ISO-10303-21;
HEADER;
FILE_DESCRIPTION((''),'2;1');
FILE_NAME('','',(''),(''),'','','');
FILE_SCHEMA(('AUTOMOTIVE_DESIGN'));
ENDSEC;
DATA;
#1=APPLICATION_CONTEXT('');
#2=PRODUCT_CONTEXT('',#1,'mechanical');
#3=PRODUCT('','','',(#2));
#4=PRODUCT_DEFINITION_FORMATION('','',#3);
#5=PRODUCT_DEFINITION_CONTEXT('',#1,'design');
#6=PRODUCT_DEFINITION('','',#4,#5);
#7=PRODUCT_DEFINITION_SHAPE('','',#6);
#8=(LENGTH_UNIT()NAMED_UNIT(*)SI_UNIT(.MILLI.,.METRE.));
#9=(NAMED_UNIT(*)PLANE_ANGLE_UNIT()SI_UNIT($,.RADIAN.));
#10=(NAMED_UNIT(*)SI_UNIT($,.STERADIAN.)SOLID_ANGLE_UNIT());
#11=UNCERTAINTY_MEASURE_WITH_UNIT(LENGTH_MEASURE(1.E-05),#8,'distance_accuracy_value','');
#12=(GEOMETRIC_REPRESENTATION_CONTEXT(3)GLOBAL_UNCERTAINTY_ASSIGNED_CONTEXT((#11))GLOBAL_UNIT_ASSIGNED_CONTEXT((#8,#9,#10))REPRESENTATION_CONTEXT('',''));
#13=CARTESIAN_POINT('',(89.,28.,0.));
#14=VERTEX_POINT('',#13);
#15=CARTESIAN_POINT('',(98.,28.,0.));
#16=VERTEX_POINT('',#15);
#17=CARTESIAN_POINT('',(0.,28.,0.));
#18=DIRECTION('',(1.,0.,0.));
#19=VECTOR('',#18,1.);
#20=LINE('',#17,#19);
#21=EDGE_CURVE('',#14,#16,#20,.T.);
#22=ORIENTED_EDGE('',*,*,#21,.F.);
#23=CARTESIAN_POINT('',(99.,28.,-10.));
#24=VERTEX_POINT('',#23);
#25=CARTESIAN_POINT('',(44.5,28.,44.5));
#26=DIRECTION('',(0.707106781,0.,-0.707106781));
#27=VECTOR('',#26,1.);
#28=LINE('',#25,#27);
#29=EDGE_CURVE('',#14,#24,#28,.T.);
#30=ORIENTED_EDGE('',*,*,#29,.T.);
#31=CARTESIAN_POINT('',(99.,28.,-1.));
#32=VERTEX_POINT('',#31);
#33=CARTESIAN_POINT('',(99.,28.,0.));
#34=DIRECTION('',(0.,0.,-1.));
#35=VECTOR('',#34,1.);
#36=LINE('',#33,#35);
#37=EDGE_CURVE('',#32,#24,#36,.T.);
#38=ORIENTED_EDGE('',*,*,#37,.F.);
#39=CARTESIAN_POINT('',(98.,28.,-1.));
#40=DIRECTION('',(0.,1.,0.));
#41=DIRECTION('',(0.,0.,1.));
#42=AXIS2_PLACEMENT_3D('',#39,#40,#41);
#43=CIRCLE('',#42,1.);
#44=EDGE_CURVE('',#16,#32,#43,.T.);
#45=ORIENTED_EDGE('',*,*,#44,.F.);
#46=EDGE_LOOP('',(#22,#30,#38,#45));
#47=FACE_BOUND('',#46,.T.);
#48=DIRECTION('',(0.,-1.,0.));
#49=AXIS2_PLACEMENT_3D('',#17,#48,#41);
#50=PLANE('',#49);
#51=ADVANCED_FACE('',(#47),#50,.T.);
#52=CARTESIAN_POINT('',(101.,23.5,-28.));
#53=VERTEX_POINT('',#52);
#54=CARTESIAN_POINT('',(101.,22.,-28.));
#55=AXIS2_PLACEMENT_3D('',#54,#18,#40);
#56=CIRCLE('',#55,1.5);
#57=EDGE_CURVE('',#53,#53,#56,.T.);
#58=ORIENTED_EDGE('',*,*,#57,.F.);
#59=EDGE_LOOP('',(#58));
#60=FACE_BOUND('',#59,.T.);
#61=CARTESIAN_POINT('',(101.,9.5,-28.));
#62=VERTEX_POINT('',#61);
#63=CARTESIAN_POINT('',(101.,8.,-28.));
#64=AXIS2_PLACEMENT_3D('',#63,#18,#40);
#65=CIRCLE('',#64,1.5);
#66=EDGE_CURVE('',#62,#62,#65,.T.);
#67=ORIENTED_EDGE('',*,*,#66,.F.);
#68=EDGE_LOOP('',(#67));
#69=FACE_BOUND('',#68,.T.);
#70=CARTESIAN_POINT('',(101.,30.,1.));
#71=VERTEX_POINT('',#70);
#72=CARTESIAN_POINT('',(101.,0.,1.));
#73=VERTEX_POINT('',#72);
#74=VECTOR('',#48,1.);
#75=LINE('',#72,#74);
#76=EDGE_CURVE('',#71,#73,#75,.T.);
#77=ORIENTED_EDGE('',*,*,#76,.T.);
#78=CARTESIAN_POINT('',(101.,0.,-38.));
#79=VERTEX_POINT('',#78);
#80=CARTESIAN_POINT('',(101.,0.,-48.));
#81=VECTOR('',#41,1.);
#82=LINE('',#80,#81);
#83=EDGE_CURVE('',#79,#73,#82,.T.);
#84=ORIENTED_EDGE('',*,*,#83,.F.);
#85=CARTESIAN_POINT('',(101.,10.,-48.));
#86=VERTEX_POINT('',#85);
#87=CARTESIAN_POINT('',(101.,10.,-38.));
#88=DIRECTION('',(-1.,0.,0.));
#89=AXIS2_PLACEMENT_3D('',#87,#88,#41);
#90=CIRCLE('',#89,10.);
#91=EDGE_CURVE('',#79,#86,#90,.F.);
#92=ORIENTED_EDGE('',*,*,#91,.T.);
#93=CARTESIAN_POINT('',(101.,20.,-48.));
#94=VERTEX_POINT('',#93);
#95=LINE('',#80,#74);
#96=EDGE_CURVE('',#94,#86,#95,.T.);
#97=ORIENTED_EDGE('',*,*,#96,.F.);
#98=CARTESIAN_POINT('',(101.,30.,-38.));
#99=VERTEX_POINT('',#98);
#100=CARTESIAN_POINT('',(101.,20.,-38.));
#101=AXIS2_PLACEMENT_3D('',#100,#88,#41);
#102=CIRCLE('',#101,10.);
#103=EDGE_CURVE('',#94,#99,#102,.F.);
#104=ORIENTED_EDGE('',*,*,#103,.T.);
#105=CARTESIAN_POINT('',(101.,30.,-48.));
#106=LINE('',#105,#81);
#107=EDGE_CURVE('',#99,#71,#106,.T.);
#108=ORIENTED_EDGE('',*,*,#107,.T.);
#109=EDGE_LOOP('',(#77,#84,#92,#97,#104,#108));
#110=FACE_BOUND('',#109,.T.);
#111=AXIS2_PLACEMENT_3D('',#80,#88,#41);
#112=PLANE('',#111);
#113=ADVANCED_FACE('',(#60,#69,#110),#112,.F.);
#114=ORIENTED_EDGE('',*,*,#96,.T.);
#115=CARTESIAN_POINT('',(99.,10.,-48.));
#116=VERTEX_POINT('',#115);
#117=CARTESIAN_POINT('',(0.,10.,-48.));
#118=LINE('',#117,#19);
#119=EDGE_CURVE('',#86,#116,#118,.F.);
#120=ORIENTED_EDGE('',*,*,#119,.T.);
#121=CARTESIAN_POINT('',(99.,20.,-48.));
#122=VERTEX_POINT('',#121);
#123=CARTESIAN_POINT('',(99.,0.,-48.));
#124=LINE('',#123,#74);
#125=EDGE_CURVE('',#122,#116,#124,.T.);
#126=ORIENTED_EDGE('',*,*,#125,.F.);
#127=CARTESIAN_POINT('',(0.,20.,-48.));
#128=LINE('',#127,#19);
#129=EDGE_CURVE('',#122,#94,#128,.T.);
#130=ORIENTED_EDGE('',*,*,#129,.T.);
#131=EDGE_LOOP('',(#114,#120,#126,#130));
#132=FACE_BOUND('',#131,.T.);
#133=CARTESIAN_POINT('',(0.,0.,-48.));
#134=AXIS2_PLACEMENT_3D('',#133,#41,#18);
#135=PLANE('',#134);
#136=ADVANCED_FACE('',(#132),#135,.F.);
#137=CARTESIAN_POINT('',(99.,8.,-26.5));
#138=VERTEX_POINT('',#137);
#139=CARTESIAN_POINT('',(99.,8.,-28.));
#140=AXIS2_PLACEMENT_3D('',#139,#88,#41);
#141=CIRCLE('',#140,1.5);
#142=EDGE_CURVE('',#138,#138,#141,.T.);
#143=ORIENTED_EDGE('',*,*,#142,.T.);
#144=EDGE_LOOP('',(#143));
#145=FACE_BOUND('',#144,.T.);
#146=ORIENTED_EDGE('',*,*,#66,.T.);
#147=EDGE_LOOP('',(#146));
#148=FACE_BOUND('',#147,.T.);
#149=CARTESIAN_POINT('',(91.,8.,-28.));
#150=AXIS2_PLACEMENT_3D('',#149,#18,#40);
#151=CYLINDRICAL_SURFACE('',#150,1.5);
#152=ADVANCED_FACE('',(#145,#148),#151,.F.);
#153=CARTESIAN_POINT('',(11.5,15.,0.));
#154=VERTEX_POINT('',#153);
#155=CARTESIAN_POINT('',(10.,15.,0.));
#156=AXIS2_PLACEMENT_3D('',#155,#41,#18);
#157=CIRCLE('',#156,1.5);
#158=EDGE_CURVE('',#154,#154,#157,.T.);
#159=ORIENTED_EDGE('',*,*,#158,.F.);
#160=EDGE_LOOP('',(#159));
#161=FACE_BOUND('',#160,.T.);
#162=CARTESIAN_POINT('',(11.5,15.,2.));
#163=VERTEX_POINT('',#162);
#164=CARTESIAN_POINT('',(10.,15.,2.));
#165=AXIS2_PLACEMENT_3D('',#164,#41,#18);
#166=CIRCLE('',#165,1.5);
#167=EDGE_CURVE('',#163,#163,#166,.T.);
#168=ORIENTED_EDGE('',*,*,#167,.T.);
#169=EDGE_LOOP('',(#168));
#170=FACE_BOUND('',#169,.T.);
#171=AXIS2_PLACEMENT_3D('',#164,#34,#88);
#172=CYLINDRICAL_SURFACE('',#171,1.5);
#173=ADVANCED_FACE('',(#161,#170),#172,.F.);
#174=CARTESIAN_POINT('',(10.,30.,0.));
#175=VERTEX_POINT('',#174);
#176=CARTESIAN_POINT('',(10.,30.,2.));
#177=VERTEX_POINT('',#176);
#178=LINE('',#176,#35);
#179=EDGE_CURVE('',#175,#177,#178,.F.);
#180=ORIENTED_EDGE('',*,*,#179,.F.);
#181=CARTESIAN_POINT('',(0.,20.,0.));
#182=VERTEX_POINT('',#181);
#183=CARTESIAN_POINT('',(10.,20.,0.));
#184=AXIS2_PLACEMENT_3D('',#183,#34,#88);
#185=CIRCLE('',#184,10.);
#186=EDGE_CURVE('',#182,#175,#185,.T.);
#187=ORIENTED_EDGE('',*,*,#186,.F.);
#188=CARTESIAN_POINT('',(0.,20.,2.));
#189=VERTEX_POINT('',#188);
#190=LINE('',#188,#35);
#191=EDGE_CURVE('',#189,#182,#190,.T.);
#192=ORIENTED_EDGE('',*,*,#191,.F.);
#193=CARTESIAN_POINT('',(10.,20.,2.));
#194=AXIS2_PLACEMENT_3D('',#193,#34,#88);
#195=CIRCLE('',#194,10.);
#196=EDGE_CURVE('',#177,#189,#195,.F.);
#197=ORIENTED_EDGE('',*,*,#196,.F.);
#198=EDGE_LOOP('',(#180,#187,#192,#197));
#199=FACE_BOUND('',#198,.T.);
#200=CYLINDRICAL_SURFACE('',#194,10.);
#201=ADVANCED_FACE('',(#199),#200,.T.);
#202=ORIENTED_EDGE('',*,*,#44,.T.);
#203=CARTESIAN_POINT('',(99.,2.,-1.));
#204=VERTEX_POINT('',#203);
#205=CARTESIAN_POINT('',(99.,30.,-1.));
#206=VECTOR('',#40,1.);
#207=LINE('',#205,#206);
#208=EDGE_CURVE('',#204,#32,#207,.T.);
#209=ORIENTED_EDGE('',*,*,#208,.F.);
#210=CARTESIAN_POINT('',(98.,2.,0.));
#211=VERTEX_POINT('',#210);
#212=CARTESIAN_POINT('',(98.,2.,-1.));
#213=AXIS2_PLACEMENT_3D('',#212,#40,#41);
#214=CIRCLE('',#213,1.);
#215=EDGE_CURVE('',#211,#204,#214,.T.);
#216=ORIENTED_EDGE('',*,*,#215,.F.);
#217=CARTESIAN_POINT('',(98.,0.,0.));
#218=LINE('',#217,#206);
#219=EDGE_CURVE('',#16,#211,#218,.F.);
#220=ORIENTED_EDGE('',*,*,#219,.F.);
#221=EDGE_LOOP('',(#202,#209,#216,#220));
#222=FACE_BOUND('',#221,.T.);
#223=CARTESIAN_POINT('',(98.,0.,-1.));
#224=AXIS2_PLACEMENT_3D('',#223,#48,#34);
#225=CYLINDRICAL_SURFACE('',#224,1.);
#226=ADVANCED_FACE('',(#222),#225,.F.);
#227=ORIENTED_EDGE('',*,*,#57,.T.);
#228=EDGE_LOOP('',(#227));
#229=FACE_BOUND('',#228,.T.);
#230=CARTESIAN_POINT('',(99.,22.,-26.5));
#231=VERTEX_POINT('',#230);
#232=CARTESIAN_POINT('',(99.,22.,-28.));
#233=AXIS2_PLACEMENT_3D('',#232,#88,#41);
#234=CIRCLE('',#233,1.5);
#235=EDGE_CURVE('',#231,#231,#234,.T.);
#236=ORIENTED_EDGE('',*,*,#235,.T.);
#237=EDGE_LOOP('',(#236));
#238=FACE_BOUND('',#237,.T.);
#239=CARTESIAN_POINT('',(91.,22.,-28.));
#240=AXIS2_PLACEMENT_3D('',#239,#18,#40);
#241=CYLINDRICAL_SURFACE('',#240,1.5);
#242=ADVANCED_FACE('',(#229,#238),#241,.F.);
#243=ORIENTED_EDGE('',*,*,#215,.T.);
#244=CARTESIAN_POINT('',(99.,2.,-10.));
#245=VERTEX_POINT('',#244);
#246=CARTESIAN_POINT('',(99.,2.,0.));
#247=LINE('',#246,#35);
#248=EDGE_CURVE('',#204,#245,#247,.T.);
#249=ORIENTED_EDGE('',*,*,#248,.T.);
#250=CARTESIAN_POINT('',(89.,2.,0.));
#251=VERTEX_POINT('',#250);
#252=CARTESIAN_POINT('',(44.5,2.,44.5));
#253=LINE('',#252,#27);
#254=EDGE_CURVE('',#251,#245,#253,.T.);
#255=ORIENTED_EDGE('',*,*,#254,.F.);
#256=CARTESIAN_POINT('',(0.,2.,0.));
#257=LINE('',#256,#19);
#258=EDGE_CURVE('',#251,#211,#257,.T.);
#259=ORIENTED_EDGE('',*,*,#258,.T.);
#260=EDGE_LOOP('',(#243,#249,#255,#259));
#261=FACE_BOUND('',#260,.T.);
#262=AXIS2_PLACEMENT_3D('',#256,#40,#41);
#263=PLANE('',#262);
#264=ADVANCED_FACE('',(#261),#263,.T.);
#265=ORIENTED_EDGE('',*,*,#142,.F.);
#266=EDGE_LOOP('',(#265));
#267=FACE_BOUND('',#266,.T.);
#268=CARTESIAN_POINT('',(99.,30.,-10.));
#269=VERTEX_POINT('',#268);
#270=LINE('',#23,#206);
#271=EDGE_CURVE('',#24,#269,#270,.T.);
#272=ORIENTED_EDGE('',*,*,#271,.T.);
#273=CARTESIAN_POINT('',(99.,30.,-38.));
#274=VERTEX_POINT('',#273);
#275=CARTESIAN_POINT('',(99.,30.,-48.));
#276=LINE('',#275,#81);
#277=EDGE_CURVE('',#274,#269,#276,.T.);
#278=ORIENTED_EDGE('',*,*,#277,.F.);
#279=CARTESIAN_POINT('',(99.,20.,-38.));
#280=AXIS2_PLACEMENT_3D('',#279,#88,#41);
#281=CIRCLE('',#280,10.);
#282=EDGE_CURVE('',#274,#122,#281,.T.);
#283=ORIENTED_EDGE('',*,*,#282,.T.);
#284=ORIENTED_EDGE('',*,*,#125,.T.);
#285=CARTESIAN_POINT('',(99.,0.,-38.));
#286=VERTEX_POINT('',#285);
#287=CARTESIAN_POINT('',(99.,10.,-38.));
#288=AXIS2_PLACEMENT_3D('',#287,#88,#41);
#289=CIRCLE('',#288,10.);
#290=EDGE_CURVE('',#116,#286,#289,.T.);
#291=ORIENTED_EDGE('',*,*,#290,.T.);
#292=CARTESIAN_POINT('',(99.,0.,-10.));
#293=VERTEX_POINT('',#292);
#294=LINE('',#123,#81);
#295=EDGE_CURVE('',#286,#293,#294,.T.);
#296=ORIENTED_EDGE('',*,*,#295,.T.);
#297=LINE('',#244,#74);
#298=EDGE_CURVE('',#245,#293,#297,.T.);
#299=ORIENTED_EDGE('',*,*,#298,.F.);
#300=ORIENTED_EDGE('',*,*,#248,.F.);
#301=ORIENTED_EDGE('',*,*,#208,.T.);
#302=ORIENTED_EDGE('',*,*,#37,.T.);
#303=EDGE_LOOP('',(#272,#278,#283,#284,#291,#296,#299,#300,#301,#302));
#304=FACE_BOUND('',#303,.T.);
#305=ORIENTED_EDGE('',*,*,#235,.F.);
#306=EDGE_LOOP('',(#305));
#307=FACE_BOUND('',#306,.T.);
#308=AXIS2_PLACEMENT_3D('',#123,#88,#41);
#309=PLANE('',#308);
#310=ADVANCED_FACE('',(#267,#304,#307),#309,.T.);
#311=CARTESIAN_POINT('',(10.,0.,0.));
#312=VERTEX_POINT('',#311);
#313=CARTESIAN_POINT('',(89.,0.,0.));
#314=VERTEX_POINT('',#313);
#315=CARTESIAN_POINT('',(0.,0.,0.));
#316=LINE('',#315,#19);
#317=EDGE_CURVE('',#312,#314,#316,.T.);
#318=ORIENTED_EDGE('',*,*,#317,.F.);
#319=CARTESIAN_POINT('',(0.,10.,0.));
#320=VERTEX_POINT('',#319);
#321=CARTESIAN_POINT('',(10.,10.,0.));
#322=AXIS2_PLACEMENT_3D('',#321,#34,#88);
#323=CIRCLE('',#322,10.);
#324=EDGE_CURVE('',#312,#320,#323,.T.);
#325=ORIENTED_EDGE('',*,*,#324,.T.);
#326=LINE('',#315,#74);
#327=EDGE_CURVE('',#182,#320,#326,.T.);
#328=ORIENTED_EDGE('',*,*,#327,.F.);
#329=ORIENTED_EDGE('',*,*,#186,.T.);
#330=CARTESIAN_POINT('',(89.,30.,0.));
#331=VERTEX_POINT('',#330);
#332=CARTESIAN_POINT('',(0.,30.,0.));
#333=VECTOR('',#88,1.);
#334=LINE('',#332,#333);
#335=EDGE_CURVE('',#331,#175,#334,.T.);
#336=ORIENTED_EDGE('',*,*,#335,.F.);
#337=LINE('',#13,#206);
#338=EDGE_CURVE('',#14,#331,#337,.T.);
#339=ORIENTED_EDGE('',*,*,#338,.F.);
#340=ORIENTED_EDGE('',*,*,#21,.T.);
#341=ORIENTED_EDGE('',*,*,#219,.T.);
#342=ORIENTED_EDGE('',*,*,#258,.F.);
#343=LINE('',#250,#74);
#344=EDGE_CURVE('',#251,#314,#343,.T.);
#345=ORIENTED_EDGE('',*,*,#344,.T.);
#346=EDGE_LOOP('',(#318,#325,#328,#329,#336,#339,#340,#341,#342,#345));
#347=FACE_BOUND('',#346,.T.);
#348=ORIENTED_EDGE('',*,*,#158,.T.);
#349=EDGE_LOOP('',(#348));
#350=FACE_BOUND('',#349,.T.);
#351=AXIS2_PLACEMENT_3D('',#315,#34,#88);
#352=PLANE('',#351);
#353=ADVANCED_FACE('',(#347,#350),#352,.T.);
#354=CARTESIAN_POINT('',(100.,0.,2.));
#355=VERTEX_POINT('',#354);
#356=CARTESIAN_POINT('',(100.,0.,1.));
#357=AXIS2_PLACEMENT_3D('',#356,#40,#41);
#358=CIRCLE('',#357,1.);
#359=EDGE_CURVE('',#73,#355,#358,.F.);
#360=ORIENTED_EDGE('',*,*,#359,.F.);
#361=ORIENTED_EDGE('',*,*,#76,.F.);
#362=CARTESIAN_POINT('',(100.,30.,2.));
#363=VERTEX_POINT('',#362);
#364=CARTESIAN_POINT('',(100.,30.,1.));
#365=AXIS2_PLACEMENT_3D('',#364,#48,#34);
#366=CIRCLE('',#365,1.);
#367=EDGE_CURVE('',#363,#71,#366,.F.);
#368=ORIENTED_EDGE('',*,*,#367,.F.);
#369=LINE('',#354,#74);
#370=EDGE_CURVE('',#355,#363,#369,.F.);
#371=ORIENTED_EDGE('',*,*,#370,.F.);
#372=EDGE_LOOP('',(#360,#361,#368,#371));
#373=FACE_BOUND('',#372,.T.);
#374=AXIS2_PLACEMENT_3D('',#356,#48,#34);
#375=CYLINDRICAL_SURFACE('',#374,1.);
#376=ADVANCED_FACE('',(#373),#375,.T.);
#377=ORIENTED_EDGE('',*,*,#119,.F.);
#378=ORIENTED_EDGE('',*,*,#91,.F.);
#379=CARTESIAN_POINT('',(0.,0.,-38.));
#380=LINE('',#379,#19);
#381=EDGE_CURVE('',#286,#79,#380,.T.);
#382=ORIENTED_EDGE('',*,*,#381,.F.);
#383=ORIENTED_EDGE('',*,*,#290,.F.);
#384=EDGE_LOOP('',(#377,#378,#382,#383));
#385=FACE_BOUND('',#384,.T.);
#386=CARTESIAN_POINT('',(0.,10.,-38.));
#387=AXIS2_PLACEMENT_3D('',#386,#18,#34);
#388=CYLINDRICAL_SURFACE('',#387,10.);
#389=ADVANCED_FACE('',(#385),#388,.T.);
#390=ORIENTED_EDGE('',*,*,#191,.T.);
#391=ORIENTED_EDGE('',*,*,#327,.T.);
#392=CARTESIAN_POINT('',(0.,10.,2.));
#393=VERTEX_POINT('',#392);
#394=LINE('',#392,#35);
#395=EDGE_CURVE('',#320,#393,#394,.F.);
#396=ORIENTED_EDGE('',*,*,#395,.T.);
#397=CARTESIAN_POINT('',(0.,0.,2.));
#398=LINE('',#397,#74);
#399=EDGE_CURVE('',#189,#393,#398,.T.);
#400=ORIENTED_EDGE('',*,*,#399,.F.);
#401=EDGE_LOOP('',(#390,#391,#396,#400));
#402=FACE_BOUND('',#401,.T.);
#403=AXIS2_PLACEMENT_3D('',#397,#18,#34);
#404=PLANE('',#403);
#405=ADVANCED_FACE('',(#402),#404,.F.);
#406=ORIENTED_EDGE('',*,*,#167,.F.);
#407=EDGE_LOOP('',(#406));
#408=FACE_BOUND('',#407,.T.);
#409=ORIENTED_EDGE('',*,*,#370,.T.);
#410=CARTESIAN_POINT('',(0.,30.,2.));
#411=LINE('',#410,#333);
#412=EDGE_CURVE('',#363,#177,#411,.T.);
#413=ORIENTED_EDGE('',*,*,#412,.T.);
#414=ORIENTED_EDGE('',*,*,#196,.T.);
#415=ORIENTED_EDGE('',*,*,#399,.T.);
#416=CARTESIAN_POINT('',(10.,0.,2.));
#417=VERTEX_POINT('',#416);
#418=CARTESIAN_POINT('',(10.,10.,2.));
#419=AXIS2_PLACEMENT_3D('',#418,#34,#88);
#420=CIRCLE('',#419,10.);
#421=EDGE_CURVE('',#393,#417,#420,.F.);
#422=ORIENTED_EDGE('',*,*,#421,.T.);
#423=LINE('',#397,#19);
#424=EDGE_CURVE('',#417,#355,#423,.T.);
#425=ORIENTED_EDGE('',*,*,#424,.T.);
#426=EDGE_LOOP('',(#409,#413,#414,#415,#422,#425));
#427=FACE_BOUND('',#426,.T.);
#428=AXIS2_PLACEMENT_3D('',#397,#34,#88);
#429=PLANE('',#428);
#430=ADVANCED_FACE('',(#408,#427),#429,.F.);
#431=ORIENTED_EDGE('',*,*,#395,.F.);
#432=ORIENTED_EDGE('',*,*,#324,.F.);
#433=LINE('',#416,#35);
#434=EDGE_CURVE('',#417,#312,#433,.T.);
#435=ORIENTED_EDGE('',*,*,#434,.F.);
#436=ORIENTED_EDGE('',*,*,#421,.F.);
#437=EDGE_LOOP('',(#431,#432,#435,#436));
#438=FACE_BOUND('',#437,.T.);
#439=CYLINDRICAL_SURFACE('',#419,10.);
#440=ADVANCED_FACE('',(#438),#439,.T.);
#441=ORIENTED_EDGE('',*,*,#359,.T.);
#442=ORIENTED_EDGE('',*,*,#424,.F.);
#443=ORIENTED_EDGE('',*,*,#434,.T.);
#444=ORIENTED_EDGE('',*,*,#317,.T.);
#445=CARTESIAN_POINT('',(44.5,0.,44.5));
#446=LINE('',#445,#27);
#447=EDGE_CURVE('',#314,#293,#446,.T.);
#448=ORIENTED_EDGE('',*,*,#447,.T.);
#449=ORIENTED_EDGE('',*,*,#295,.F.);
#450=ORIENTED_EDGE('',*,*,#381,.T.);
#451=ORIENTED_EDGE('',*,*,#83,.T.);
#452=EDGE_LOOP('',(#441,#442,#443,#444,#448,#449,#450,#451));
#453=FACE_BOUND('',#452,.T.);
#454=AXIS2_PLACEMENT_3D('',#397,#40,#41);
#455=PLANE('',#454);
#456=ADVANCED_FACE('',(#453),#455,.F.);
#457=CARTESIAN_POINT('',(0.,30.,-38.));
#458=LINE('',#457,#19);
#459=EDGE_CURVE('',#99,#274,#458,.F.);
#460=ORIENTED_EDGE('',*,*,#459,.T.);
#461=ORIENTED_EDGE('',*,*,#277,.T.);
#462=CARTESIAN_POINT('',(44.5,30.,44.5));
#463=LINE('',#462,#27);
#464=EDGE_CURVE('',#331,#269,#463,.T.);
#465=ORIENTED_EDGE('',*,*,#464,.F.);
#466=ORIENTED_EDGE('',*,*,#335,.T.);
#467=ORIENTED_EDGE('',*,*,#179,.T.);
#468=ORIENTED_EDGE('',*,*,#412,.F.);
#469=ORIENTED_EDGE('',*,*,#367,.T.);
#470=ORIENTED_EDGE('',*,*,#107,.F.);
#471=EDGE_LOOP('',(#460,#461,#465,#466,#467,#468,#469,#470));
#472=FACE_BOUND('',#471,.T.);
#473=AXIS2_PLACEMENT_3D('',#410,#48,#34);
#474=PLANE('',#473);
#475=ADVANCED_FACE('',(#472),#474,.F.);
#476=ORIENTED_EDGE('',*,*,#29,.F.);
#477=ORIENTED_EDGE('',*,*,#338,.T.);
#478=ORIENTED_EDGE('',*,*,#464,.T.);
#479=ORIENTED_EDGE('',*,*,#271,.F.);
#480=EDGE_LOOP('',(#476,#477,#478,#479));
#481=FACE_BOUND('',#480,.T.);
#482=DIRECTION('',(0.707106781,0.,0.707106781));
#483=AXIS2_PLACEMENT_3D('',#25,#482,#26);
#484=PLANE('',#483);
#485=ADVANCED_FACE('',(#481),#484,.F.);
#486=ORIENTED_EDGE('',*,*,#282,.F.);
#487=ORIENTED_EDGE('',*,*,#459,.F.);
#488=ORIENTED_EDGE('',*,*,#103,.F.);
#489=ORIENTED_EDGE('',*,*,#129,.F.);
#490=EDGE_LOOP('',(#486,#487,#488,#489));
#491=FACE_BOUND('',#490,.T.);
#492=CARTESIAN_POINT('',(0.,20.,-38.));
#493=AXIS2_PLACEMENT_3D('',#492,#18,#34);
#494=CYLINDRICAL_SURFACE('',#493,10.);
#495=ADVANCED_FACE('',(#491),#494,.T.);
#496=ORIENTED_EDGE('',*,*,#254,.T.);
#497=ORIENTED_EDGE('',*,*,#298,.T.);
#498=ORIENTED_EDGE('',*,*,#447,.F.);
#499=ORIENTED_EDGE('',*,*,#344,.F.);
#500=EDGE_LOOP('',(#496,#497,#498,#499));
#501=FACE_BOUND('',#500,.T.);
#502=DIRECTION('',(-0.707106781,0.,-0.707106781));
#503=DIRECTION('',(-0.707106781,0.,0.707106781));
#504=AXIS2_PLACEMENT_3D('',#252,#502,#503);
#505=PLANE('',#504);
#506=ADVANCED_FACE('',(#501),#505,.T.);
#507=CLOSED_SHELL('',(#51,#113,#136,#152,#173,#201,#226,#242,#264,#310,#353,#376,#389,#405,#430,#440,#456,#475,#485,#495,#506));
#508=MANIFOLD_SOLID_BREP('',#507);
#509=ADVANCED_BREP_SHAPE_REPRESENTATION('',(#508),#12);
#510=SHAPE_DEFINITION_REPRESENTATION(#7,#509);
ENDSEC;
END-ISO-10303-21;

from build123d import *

# Parameters (mm, degrees)
SKETCH1_W           = 100
SKETCH1_H           = 30
SKETCH1_R           = 1.5
BOSS_EXTRUDE1_DEPTH = 2
SKETCH2_W           = 1
SKETCH2_H           = 30
BOSS_EXTRUDE3_DEPTH = 50
FILLET2_R           = 1
SKETCH3_R           = 1.5
CUT_EXTRUDE1_DEPTH  = 10
FILLET3_R           = 10
BOSS_EXTRUDE4_DEPTH = 2


with BuildPart() as part:
    # Sketch1 → Boss-Extrude1 (new body)
    with BuildSketch(Plane.XY):
        with Locations((50, 15)):
            Rectangle(SKETCH1_W, SKETCH1_H)
        with Locations((10, 15)):
            Circle(SKETCH1_R, mode=Mode.SUBTRACT)
    extrude(amount=BOSS_EXTRUDE1_DEPTH)

    # Sketch2 → Boss-Extrude3 (add)
    with BuildSketch(Plane.XY.offset(2)):
        with Locations((100.5, 15)):
            Rectangle(SKETCH2_W, SKETCH2_H)
        with Locations((99.5, 15)):
            Rectangle(SKETCH2_W, SKETCH2_H)
    extrude(amount=-BOSS_EXTRUDE3_DEPTH)

    # Fillet2
    fillet2_edges = [part.edges().sort_by_distance(p)[0] for p in [
        (101, 15, 2),
        (99, 15, 0),
    ]]
    fillet(fillet2_edges, radius=FILLET2_R)

    # Sketch3 → Cut-Extrude1 (cut)
    with BuildSketch(Plane(origin=(101, 0, 0), x_dir=(0, 0, -1), z_dir=(1, 0, 0))):
        with Locations(Location((28, 8, 0), (0, 0, 90))):
            Circle(SKETCH3_R)
        with Locations(Location((28, 22, 0), (0, 0, 90))):
            Circle(SKETCH3_R)
    extrude(amount=-CUT_EXTRUDE1_DEPTH, mode=Mode.SUBTRACT)

    # Fillet3
    fillet3_edges = [part.edges().sort_by_distance(p)[0] for p in [
        (100, 0, -48),
        (100, 30, -48),
        (0, 30, 1),
        (0, 0, 1),
    ]]
    fillet(fillet3_edges, radius=FILLET3_R)

    # Sketch4 → Boss-Extrude4 (add)
    with BuildSketch(Plane(origin=(0, 0, 0), x_dir=(1, 0, 0), z_dir=(0, 1, 0))):
        with BuildLine():
            Line((99, 10), (89, 0))
            Line((89, 0), (98, 0))
            ThreePointArc((98, 0), (98.707106781, 0.292893219), (99, 1))
            Line((99, 1), (99, 10))
        make_face()
    boss_extrude4 = extrude(amount=BOSS_EXTRUDE4_DEPTH)

    # Mirror1: Boss-Extrude4 across plane
    add(boss_extrude4.mirror(Plane.ZX.offset(15)))


solid = part.part
